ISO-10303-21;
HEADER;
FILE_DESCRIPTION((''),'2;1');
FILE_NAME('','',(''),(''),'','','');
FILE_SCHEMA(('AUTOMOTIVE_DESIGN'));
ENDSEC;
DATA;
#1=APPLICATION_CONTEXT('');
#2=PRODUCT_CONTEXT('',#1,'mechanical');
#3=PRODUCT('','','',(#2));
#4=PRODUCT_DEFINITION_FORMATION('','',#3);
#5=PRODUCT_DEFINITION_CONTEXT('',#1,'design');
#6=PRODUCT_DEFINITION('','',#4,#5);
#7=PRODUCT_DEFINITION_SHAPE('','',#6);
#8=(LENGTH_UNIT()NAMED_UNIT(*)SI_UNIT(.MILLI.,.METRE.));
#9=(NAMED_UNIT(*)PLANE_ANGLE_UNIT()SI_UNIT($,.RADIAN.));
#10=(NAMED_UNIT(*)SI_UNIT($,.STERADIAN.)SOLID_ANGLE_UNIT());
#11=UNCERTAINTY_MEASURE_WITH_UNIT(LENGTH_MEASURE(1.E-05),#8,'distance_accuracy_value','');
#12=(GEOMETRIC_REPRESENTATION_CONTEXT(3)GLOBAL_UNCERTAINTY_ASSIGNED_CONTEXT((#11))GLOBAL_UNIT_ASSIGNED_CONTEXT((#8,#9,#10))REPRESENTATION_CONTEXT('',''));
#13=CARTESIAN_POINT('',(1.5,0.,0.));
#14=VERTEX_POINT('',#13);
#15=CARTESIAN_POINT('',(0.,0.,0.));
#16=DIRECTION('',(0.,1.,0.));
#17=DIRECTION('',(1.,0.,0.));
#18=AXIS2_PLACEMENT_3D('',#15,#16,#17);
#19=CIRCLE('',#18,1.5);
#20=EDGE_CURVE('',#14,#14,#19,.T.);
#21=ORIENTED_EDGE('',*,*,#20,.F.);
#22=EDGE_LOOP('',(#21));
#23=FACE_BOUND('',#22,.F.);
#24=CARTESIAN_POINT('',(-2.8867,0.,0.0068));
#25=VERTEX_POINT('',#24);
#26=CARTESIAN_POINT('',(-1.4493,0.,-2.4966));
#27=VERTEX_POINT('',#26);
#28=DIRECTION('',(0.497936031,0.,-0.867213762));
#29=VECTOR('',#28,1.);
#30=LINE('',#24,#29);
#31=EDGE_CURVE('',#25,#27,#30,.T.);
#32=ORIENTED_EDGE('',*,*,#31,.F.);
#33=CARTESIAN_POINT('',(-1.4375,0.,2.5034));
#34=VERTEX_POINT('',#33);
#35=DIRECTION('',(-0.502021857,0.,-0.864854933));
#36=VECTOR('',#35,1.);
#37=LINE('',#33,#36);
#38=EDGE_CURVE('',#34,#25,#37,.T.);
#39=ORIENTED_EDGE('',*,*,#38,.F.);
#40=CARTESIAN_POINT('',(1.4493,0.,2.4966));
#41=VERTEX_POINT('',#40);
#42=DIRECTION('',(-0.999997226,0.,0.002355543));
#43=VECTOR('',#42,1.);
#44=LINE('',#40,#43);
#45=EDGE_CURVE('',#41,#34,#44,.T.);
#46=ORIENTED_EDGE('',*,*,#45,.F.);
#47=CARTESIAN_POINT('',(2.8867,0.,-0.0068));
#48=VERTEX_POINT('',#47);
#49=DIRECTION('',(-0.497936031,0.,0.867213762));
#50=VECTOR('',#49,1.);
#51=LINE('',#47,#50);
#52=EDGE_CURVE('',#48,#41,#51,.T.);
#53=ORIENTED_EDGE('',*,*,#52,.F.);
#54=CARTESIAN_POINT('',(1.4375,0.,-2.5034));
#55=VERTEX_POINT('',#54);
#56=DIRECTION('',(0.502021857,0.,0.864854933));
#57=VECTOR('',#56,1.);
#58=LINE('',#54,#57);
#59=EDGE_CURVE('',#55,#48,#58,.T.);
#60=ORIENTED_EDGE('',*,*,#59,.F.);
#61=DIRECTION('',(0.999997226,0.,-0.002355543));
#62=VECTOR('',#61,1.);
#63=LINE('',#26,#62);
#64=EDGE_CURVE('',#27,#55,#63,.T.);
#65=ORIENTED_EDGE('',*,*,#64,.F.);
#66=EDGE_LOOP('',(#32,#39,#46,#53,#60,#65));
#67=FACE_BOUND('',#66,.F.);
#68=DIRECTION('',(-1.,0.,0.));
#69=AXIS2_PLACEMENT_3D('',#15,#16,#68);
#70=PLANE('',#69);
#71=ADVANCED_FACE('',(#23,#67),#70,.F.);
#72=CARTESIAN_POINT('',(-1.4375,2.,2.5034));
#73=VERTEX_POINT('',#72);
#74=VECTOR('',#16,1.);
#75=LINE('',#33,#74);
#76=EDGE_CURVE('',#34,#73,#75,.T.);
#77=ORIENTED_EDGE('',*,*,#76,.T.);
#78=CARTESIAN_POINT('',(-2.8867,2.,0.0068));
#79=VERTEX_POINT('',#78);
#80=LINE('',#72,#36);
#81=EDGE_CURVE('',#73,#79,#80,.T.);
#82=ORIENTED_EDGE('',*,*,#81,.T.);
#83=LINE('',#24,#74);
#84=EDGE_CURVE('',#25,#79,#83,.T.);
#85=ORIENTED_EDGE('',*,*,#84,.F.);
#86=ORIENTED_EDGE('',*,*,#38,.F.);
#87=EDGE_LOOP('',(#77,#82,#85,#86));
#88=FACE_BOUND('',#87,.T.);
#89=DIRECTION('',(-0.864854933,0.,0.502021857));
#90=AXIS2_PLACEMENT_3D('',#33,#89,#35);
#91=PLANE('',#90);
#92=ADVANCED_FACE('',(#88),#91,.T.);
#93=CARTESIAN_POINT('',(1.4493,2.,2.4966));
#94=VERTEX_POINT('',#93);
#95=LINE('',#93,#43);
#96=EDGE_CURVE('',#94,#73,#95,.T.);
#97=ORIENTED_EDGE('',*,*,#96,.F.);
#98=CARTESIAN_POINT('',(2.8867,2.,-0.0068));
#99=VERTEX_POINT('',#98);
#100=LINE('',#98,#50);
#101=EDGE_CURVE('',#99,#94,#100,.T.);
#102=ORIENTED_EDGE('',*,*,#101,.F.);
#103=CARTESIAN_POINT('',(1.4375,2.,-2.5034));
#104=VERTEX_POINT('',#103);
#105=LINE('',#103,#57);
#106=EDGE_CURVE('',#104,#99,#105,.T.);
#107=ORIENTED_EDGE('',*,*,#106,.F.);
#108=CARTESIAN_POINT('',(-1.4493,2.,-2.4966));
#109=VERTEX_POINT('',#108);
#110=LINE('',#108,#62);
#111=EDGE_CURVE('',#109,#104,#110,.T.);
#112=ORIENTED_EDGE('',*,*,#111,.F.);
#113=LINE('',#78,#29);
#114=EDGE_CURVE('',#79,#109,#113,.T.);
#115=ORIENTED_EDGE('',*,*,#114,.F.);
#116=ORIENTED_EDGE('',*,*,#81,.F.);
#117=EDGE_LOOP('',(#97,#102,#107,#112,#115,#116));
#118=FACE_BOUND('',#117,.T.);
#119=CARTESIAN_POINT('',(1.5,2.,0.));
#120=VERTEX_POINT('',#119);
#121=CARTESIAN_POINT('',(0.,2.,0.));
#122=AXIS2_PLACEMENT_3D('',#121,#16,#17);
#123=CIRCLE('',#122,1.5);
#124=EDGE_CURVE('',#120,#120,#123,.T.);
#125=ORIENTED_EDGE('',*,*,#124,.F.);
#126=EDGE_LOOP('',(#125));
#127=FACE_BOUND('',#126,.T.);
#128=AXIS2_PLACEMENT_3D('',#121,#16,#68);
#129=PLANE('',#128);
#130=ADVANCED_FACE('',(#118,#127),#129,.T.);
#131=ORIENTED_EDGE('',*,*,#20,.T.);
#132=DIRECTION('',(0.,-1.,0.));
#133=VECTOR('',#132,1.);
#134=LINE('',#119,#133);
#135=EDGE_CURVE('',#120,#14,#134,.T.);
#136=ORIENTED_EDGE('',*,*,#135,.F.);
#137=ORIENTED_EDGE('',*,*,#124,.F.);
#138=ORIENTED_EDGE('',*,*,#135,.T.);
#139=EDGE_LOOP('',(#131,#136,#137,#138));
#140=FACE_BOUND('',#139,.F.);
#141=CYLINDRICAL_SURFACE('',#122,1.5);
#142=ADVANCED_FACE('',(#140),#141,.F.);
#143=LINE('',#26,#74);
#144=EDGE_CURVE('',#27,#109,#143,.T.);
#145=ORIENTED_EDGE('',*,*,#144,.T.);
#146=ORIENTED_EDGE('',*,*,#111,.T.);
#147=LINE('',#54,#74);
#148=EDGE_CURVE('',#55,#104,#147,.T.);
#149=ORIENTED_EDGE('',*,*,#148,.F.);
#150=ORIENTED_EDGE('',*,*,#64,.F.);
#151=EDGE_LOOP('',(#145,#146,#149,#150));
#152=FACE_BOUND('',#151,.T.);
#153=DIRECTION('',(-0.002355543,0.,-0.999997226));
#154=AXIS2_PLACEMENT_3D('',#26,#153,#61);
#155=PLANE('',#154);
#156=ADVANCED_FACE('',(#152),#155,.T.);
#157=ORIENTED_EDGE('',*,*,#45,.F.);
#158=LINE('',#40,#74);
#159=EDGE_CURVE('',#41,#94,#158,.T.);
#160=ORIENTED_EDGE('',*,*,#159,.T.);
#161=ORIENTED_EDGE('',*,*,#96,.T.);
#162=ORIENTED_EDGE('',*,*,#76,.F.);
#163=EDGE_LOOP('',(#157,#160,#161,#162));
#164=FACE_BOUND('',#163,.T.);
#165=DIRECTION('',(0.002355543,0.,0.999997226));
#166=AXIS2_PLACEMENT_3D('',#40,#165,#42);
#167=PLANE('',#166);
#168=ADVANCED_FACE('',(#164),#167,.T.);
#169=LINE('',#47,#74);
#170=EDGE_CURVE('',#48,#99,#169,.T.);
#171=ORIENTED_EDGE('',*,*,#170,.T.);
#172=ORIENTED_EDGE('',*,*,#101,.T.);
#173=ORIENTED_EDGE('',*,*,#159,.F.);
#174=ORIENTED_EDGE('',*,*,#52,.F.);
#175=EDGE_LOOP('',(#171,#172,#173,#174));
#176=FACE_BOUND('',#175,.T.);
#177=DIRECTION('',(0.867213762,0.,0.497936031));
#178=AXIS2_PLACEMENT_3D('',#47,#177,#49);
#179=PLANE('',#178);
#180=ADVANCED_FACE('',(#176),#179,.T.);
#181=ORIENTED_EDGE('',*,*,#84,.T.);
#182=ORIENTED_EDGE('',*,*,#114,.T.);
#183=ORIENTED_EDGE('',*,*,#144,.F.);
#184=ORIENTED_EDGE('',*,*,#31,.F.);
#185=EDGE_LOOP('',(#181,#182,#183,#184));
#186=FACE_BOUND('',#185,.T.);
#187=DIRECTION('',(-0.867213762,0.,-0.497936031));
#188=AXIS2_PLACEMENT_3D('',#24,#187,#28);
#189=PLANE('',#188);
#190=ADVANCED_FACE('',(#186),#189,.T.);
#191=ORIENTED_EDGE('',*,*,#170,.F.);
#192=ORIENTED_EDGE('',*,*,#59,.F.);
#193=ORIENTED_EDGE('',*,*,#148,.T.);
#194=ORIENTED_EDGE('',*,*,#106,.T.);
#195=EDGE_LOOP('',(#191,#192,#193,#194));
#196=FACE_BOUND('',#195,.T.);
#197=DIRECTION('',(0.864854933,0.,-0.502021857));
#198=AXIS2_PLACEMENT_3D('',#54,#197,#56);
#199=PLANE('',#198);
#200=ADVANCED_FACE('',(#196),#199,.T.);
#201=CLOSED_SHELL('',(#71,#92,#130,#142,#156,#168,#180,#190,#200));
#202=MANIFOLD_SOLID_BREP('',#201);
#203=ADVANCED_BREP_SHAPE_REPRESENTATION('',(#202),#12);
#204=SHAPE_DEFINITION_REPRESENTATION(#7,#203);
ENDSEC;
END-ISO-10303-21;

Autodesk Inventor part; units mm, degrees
ref_plane "YZ Plane" through (0, 0, 0) normal (1, 0, 0) x (0, 1, 0)
ref_plane "XZ Plane" through (0, 0, 0) normal (0, 1, 0) x (-1, 0, 0)
ref_plane "XY Plane" through (0, 0, 0) normal (0, 0, 1) x (1, 0, 0)
sketch "Sketch1" plane through (0, 0, 0) normal (0, 1, 0) x (-1, 0, 0)
  line L0 (-1.4375, -2.5034) -> (-2.8867, -0.0068)
  line L1 (-2.8867, -0.0068) -> (-1.4493, 2.4966)
  line L2 (-1.4493, 2.4966) -> (1.4375, 2.5034)
  line L3 (1.4375, 2.5034) -> (2.8867, 0.0068)
  line L4 (2.8867, 0.0068) -> (1.4493, -2.4966)
  line L5 (1.4493, -2.4966) -> (-1.4375, -2.5034)
  point P0 (0, 0)
  point P1 (0, 0)
  dimension "d0" = 5
extrude "Extrusion1" add sketch "Sketch1" along normal blind 2
sketch "Sketch3" plane through (0, 2, 0) normal (0, 1, 0) x (1, 0, 0)
  circle A0 centre (0, 0) radius 1.5
  dimension "d6" = 3
extrude "Extrusion3" cut sketch "Sketch3" against normal blind 10
properties part number "Bolt 3mm"
